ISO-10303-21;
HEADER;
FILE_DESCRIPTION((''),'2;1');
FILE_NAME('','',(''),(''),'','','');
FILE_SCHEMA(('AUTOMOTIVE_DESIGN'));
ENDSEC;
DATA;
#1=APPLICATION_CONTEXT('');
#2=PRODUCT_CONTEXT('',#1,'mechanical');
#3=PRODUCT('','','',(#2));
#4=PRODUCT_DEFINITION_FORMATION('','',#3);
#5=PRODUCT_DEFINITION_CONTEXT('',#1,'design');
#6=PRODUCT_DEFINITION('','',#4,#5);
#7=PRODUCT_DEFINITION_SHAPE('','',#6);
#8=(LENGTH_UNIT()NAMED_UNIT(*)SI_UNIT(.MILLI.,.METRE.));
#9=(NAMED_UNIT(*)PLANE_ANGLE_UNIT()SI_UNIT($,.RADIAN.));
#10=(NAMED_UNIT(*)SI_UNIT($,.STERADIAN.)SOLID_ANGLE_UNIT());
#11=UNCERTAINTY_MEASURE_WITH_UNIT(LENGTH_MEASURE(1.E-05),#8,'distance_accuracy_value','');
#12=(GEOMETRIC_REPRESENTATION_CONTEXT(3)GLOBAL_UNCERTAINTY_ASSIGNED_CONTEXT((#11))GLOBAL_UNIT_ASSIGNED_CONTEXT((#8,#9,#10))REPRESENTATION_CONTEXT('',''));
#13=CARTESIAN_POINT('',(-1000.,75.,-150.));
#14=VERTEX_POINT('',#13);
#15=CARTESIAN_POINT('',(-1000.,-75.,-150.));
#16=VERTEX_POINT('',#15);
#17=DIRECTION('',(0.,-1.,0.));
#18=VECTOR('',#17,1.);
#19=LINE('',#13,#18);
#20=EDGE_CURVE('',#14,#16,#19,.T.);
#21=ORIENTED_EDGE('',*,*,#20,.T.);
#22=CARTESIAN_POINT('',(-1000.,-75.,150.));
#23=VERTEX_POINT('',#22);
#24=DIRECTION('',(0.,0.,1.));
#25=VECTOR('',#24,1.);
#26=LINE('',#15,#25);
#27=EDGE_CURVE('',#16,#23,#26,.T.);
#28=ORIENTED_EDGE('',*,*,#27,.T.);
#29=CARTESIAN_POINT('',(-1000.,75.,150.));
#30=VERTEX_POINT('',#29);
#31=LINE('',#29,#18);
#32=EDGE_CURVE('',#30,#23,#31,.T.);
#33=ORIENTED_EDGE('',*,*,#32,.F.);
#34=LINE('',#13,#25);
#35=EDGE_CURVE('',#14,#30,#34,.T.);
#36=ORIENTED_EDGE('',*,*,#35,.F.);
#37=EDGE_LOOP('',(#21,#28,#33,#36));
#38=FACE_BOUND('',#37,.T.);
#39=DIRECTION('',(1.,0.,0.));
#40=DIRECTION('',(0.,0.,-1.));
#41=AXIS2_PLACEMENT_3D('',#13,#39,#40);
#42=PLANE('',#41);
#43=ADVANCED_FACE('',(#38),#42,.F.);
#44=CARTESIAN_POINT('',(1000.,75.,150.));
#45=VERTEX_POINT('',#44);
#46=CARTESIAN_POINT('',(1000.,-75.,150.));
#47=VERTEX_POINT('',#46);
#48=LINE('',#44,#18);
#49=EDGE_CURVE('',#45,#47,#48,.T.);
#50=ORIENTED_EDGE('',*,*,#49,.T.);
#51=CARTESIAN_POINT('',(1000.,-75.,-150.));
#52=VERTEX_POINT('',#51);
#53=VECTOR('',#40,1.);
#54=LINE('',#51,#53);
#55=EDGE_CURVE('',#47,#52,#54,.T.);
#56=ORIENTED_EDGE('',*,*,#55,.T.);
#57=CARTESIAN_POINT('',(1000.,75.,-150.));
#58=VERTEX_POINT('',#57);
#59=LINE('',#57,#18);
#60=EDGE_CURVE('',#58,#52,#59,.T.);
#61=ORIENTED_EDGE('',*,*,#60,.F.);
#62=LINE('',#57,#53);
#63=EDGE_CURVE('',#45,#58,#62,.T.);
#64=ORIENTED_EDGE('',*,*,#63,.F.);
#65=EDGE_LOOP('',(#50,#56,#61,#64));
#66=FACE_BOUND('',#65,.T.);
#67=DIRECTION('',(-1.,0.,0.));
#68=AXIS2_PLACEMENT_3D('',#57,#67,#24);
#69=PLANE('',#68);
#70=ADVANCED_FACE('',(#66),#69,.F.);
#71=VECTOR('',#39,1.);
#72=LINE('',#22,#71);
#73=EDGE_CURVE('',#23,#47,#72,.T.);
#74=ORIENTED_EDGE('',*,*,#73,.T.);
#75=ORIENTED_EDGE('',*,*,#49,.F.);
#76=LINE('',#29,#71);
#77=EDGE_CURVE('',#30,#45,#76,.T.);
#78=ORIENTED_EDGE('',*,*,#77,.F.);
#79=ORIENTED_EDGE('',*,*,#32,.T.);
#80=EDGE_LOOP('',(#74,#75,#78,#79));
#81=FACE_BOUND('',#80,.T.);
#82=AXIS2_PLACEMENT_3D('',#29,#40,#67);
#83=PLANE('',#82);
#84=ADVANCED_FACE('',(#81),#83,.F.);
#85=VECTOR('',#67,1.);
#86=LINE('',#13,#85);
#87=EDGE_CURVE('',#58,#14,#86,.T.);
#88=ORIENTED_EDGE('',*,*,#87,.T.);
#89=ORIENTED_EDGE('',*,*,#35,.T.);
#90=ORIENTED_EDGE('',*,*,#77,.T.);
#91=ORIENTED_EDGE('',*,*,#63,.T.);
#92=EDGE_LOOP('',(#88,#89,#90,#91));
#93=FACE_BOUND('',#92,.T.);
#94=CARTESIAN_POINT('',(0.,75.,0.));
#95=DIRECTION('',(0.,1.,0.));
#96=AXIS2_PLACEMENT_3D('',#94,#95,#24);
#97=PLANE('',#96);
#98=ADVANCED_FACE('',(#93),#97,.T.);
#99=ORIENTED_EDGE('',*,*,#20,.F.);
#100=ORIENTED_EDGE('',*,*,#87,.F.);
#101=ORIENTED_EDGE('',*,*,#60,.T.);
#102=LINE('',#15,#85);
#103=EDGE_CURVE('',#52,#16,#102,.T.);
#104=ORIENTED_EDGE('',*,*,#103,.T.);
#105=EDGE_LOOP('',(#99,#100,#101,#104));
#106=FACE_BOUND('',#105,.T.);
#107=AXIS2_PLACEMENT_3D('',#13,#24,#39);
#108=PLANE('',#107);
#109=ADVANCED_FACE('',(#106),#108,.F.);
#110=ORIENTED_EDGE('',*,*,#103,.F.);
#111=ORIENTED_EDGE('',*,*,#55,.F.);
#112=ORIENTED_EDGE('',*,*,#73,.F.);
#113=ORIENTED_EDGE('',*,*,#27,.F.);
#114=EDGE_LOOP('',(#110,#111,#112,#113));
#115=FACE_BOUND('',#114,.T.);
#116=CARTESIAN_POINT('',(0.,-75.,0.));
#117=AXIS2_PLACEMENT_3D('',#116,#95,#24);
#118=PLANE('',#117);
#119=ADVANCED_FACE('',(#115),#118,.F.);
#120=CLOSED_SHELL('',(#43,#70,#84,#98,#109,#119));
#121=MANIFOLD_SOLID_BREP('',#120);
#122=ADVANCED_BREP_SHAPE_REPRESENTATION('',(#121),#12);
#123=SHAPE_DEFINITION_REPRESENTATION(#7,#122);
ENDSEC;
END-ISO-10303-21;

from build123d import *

# Parameters (mm, degrees)
SKETCH1_W           = 2000
SKETCH1_H           = 300
BOSS_EXTRUDE1_DEPTH = 75


with BuildPart() as part:
    # Sketch1 → Boss-Extrude1 (new body, symmetric)
    with BuildSketch(Plane(origin=(0, 0, 0), x_dir=(1, 0, 0), z_dir=(0, 1, 0))):
        Rectangle(SKETCH1_W, SKETCH1_H)
    extrude(amount=BOSS_EXTRUDE1_DEPTH, both=True)


solid = part.part
